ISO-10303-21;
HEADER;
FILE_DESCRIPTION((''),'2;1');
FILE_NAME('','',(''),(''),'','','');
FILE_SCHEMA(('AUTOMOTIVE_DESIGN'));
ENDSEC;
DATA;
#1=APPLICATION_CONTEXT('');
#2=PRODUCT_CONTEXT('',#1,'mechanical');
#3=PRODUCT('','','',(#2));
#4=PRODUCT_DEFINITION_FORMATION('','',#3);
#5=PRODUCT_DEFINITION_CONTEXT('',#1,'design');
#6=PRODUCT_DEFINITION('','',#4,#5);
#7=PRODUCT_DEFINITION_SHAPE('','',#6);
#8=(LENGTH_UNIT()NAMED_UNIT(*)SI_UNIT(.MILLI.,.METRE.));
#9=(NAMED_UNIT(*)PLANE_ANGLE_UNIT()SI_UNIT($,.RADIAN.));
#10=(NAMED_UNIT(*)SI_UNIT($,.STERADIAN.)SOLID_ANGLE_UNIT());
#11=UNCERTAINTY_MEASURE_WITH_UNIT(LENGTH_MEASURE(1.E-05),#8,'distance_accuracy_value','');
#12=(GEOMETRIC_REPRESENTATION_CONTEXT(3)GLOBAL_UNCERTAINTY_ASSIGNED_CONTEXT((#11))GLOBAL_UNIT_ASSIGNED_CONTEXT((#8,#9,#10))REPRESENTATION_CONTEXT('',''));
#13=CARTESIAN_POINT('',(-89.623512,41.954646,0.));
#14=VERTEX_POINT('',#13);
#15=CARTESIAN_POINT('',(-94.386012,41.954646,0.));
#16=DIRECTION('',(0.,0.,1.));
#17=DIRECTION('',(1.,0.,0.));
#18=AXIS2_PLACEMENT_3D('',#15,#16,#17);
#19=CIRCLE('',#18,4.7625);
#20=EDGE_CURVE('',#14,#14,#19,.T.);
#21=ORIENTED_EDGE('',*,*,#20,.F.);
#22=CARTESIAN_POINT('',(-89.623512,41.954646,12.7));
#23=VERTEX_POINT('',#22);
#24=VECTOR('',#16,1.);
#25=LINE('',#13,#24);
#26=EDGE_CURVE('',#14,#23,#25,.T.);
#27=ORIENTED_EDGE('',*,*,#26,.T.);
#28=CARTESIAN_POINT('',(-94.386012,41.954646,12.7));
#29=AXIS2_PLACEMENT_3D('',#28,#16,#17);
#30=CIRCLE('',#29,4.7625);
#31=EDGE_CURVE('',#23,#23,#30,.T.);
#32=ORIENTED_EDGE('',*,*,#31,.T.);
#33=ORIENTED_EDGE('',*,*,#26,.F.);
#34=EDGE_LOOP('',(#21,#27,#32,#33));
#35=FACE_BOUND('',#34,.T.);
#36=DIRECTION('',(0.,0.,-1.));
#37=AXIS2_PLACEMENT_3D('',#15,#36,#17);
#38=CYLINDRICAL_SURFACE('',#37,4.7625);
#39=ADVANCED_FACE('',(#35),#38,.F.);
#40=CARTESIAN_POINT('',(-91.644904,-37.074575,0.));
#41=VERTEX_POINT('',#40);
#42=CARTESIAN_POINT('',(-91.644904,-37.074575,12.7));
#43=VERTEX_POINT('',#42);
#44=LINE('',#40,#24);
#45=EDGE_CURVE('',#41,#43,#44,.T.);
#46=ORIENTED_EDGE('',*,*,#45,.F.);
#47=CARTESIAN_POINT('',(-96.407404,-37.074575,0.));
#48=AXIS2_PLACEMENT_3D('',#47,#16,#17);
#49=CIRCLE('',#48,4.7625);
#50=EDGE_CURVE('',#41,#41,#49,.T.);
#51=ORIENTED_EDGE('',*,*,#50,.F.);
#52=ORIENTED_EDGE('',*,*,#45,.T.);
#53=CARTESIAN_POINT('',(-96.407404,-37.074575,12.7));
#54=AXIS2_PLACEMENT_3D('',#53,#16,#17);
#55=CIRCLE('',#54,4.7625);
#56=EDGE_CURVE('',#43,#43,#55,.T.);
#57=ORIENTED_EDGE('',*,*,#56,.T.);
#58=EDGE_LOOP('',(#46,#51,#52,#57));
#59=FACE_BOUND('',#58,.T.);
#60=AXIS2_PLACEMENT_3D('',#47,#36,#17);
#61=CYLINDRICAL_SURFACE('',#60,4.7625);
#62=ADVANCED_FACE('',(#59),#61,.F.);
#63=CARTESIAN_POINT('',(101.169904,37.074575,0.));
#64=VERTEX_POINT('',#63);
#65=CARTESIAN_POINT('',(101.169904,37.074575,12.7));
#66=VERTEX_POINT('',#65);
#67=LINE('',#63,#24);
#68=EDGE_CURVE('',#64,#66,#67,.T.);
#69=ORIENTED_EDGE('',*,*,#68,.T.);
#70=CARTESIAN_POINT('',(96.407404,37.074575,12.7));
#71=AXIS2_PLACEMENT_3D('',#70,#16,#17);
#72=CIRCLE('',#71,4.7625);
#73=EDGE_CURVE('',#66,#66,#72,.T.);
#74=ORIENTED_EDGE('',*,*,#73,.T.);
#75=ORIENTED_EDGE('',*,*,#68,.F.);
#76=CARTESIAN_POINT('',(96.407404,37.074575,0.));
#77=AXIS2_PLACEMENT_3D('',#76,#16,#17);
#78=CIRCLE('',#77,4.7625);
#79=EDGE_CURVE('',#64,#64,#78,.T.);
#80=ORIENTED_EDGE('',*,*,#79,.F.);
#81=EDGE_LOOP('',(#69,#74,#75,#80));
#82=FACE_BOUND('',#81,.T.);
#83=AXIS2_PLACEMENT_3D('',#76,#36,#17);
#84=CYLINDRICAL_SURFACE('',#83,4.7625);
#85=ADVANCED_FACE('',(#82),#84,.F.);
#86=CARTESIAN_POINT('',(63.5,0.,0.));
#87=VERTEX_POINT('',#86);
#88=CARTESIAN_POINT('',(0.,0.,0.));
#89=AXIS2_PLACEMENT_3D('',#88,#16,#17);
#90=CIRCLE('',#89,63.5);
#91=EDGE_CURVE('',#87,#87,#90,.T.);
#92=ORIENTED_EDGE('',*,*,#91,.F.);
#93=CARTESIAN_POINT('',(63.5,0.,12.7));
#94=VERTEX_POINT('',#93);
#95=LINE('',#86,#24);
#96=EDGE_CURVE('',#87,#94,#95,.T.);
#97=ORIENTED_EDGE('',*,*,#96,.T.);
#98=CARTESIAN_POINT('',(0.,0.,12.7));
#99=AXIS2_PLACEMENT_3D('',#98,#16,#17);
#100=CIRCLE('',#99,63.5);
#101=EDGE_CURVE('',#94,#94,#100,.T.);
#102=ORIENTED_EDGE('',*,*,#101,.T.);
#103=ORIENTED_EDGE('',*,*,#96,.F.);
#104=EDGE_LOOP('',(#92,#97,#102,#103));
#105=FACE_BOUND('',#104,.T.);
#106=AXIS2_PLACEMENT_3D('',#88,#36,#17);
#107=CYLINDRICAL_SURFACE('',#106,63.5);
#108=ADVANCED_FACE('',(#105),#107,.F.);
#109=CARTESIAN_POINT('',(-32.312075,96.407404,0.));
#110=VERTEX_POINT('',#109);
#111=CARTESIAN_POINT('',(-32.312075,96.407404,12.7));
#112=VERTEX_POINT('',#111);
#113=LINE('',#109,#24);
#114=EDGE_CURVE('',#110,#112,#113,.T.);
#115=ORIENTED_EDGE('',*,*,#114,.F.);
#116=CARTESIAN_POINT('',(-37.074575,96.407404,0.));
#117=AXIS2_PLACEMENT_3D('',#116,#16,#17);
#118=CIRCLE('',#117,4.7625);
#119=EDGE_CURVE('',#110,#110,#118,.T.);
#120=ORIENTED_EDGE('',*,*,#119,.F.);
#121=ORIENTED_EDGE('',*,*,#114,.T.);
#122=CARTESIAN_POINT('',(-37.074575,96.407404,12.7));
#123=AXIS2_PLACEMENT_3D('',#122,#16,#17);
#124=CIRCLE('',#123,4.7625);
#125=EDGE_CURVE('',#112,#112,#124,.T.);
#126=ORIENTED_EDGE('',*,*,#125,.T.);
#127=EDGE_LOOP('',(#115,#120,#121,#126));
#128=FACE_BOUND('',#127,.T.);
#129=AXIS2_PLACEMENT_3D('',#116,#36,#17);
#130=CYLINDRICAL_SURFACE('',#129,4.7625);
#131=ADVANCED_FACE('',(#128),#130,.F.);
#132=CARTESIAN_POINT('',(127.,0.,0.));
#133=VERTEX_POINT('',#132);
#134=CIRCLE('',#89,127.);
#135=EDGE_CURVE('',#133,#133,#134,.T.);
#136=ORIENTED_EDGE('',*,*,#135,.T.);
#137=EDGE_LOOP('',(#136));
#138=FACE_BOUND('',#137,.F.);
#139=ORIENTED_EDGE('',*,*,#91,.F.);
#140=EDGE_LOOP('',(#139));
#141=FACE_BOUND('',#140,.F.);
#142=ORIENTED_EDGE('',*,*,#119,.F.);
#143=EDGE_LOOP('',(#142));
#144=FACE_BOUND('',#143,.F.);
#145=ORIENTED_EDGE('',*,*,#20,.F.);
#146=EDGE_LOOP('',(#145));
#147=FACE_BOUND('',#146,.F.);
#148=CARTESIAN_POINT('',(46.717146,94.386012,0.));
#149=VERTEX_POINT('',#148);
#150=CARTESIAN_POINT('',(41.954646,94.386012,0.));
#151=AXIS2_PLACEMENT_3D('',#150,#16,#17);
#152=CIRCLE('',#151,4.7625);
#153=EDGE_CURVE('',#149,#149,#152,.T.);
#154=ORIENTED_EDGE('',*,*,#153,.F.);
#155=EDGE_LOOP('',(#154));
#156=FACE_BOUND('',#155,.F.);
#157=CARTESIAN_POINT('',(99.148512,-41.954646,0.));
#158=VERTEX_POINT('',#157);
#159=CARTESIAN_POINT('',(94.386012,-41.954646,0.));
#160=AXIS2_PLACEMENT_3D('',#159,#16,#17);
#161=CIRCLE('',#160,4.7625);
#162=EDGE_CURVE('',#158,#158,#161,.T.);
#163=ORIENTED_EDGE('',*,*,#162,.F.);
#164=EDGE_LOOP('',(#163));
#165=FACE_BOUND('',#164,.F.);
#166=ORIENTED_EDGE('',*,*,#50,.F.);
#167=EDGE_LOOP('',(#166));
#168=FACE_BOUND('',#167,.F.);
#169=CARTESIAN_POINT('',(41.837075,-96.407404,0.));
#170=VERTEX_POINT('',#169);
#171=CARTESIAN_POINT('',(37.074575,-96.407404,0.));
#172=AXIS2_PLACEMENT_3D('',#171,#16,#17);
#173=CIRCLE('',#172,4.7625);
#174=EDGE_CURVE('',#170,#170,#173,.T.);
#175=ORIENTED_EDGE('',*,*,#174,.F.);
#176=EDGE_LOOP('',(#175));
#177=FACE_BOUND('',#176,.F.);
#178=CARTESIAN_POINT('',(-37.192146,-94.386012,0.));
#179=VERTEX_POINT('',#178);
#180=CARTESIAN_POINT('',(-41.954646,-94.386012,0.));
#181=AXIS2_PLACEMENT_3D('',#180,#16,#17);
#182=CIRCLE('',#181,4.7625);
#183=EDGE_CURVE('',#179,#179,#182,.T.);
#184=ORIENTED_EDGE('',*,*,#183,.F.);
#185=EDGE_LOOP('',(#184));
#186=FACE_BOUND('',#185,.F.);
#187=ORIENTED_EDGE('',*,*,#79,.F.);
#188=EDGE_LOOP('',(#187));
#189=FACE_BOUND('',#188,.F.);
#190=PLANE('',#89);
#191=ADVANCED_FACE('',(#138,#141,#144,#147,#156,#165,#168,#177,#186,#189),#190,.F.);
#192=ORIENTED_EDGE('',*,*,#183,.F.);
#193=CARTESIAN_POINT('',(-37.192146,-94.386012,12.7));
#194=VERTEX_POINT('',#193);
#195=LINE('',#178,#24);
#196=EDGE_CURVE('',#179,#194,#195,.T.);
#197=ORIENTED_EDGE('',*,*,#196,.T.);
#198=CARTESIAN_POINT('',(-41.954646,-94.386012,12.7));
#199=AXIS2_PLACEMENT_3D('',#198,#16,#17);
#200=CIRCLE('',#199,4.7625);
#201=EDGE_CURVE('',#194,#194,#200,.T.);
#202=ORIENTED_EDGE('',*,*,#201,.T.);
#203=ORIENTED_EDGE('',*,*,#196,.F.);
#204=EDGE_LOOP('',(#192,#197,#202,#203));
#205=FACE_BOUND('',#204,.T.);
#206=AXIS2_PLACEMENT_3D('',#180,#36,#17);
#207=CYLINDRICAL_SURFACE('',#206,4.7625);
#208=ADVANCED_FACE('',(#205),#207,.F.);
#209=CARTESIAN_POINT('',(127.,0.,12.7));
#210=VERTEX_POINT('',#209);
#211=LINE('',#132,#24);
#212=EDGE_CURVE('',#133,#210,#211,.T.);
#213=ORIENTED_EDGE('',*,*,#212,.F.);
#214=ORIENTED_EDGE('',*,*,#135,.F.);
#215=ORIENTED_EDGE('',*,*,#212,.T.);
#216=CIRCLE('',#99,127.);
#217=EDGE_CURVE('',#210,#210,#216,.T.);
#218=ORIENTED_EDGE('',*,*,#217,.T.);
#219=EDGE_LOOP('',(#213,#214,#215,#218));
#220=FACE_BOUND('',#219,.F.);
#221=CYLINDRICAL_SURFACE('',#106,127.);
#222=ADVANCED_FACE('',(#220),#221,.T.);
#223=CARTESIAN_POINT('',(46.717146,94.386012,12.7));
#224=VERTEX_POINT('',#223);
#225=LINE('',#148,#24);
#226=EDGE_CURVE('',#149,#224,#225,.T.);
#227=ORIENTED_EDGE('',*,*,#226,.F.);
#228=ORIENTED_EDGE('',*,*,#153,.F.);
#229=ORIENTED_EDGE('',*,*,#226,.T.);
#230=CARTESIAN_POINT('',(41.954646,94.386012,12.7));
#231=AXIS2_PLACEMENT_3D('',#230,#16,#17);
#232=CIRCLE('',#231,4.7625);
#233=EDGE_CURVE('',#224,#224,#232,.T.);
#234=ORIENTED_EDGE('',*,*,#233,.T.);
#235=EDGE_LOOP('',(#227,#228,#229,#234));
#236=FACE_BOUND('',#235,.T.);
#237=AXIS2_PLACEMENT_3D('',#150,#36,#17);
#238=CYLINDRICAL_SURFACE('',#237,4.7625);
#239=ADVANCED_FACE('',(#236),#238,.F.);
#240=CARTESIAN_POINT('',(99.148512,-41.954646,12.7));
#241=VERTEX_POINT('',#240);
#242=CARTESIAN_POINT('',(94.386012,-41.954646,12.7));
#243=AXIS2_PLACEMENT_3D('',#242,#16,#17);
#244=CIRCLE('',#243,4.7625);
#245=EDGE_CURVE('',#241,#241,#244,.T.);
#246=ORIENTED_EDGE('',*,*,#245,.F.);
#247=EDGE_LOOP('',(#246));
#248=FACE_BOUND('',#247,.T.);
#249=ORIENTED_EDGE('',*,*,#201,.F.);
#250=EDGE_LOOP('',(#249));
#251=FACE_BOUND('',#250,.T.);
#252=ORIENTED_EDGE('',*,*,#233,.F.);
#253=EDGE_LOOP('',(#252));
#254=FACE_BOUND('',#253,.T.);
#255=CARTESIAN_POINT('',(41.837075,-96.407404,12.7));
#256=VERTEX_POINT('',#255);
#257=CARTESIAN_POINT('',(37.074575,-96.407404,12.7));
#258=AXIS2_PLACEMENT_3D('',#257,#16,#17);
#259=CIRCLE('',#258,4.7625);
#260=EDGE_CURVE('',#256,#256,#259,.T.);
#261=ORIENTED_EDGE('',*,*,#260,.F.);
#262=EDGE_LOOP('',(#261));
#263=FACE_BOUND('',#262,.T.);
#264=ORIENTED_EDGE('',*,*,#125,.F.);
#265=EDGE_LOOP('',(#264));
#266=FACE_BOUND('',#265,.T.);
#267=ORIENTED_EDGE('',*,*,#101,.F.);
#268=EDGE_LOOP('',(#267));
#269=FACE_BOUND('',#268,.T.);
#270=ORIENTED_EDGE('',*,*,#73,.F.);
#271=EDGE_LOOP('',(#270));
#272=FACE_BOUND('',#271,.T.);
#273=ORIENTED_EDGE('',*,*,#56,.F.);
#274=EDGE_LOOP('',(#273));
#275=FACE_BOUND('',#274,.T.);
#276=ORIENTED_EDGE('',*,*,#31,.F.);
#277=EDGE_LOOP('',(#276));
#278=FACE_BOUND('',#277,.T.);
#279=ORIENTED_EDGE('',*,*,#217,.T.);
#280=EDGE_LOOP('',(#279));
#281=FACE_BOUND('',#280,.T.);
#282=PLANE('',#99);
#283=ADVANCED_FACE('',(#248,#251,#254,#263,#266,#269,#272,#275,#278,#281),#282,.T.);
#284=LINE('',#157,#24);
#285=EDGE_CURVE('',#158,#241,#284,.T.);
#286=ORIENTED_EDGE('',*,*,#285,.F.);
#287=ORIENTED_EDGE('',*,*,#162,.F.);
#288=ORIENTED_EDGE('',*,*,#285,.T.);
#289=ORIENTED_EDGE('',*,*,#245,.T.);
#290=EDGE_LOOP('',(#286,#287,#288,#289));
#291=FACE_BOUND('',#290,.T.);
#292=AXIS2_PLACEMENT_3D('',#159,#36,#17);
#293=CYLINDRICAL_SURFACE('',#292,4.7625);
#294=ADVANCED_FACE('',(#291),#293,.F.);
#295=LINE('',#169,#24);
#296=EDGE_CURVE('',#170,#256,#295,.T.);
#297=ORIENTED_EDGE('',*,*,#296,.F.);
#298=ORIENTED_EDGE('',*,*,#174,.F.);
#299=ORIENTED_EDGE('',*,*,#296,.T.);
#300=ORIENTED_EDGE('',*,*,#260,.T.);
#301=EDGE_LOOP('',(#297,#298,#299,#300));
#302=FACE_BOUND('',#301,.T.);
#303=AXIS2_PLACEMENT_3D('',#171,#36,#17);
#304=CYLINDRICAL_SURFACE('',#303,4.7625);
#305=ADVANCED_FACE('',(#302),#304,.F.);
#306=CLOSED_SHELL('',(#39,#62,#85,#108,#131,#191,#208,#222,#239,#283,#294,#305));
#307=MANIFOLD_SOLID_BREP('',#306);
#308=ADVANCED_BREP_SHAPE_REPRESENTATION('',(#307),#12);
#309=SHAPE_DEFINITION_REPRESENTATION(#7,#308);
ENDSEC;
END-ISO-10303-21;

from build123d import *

# Parameters (mm, degrees)
F0_R     = 127
F0_R_2   = 4.7625
F0_R_3   = 63.5
F1_DEPTH = 12.7


with BuildPart() as f1:
    # F0 (on Top) → F1 (new body)
    with BuildSketch(Plane.XY):
        Circle(F0_R)
        with Locations((-41.954646, -94.386012)):
            Circle(F0_R_2, mode=Mode.SUBTRACT)
        with Locations((-96.407404, -37.074575)):
            Circle(F0_R_2, mode=Mode.SUBTRACT)
        with Locations((37.074575, -96.407404)):
            Circle(F0_R_2, mode=Mode.SUBTRACT)
        with Locations((94.386012, -41.954646)):
            Circle(F0_R_2, mode=Mode.SUBTRACT)
        with Locations((-94.386012, 41.954646)):
            Circle(F0_R_2, mode=Mode.SUBTRACT)
        with Locations((-37.074575, 96.407404)):
            Circle(F0_R_2, mode=Mode.SUBTRACT)
        Circle(F0_R_3, mode=Mode.SUBTRACT)
        with Locations((96.407404, 37.074575)):
            Circle(F0_R_2, mode=Mode.SUBTRACT)
        with Locations((41.954646, 94.386012)):
            Circle(F0_R_2, mode=Mode.SUBTRACT)
    extrude(amount=F1_DEPTH)


solid = f1.part
